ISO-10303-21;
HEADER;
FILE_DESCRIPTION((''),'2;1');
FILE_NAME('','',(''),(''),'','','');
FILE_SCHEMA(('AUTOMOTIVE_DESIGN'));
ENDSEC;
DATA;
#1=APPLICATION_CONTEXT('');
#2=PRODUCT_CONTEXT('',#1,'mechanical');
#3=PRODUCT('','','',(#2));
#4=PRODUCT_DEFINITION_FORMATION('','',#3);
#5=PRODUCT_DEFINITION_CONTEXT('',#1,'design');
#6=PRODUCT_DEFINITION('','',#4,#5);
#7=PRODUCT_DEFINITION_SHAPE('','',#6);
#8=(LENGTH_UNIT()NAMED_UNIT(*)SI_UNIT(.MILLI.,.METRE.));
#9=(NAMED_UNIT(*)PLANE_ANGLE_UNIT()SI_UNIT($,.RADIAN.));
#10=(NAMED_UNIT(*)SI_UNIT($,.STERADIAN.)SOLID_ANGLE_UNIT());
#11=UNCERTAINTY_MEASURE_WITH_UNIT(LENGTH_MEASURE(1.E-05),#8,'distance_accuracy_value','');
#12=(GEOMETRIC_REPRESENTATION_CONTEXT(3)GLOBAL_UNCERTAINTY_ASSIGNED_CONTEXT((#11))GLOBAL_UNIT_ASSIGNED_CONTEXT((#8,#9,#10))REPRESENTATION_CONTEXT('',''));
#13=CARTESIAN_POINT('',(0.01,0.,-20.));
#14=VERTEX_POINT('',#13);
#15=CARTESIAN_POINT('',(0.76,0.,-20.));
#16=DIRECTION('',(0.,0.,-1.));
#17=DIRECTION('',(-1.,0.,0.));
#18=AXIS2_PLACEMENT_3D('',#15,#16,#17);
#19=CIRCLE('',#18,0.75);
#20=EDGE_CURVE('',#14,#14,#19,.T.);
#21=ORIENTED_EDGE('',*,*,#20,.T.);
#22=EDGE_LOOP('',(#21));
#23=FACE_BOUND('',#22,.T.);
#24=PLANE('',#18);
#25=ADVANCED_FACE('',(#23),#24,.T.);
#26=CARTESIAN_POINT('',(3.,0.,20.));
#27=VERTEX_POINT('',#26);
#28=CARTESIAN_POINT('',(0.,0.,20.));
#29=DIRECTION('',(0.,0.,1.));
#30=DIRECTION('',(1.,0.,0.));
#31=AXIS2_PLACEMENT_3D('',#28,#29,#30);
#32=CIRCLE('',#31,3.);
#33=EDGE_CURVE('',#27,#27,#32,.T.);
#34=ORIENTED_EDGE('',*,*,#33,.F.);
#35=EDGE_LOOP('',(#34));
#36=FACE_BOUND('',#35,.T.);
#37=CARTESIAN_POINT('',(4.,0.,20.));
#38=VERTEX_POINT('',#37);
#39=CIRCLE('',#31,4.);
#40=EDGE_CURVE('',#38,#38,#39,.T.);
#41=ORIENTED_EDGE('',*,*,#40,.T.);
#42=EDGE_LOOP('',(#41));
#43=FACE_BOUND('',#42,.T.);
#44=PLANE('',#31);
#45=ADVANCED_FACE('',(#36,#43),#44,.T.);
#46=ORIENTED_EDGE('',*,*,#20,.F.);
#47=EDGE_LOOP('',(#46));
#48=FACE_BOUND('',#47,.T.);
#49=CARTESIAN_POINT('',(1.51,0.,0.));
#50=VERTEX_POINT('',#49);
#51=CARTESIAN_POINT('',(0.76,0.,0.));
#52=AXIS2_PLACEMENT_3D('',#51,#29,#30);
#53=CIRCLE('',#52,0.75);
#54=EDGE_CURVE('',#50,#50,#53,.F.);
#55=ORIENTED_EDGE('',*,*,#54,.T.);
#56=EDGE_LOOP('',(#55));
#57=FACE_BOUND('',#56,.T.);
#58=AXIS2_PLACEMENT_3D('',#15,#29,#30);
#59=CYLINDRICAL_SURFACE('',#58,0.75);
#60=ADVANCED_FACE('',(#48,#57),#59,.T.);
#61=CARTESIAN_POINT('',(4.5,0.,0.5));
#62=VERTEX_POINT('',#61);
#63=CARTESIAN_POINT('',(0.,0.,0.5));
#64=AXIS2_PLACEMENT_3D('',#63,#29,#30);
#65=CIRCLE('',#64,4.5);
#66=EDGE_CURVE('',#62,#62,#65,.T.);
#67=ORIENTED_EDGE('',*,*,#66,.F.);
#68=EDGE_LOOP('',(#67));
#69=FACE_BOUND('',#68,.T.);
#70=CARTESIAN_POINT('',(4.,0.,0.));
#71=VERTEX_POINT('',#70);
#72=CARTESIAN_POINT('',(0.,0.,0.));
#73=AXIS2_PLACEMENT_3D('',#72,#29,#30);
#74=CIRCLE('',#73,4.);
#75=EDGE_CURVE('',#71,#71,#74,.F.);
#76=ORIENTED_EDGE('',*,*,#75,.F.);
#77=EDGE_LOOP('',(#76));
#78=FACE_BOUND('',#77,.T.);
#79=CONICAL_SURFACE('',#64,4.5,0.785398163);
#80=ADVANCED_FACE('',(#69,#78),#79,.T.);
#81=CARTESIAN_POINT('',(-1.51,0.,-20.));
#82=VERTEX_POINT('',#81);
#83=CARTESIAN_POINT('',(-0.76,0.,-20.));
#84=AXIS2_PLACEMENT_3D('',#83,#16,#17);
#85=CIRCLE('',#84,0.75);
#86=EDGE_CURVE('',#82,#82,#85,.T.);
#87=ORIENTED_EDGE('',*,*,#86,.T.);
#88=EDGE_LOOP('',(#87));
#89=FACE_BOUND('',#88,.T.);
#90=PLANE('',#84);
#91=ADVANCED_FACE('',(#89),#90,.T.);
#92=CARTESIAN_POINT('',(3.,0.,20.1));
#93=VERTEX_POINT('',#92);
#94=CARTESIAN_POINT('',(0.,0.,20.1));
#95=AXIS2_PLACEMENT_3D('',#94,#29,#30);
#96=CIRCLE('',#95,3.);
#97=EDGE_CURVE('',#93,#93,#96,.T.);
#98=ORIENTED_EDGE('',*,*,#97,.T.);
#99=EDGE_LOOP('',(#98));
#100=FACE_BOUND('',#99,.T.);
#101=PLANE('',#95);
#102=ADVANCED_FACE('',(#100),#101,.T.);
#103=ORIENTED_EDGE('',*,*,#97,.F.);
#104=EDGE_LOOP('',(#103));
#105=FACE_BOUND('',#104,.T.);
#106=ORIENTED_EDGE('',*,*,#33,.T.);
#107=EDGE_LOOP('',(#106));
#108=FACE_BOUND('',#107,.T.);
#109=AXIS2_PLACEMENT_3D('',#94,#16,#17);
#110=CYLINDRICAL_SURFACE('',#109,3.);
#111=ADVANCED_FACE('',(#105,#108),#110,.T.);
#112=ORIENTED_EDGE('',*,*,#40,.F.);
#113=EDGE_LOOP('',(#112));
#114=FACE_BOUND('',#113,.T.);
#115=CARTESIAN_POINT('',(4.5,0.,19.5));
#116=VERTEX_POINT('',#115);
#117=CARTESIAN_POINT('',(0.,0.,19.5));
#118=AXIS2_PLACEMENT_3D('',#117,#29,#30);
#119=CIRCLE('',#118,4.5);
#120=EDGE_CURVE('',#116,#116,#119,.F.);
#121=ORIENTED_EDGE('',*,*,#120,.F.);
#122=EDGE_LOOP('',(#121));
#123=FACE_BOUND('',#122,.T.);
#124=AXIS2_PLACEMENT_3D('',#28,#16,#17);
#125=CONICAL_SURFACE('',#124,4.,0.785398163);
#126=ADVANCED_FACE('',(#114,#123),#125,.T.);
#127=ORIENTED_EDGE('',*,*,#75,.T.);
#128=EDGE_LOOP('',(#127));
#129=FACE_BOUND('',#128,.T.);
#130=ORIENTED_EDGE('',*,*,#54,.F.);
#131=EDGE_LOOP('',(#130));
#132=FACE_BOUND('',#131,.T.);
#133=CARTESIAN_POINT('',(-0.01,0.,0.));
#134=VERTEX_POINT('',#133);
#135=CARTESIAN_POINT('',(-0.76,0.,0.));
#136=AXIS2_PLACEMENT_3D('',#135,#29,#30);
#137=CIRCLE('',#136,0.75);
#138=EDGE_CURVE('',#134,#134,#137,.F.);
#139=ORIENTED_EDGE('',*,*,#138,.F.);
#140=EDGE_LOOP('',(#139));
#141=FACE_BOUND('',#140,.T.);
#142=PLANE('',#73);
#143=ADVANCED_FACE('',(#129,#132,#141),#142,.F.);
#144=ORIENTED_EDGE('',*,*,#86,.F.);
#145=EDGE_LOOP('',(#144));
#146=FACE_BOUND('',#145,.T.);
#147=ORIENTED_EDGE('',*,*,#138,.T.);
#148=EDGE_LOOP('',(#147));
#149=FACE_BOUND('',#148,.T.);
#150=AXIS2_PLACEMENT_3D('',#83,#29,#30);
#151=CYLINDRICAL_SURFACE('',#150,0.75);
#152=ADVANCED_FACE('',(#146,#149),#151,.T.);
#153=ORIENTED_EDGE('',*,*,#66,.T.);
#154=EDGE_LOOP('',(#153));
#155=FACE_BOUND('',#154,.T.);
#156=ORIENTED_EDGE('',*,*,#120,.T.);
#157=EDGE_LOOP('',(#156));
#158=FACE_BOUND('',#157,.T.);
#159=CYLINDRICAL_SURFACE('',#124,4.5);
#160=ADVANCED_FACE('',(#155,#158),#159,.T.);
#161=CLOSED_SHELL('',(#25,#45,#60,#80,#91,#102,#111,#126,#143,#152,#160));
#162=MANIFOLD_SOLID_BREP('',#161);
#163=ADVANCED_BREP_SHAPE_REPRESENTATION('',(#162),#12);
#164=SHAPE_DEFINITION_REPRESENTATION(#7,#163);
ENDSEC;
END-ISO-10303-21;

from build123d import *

# Parameters (mm, degrees)
ESQUISSE2_R        = 4.5
BOSS_EXTRU_1_DEPTH = 20
CHANFREIN1_SIZE    = 0.5
ESQUISSE3_R        = 3
BOSS_EXTRU_4_DEPTH = 0.1
ESQUISSE5_R        = 0.75
BOSS_EXTRU_5_DEPTH = 20


with BuildPart() as part:
    # Esquisse2 → Boss.-Extru.1 (new body)
    with BuildSketch(Plane.XY):
        Circle(ESQUISSE2_R)
    extrude(amount=BOSS_EXTRU_1_DEPTH)

    # Chanfrein1
    chanfrein1_edges = [part.edges().sort_by_distance(p)[0] for p in [
        (-4.5, 0, 0),
        (-4.5, 0, 20),
    ]]
    chamfer(chanfrein1_edges, length=CHANFREIN1_SIZE)

    # Esquisse3 → Boss.-Extru.4 (add)
    with BuildSketch(Plane.XY.offset(20)):
        Circle(ESQUISSE3_R)
    extrude(amount=BOSS_EXTRU_4_DEPTH)

    # Esquisse5 → Boss.-Extru.5 (add)
    with BuildSketch(Plane(origin=(0, 0, 0), x_dir=(-1, 0, 0), z_dir=(0, 0, -1))):
        with Locations(Location((0.76, 0, 0), (0, 0, 180))):
            Circle(ESQUISSE5_R)
        with Locations(Location((-0.76, 0, 0), (0, 0, 180))):
            Circle(ESQUISSE5_R)
    extrude(amount=BOSS_EXTRU_5_DEPTH)


solid = part.part
